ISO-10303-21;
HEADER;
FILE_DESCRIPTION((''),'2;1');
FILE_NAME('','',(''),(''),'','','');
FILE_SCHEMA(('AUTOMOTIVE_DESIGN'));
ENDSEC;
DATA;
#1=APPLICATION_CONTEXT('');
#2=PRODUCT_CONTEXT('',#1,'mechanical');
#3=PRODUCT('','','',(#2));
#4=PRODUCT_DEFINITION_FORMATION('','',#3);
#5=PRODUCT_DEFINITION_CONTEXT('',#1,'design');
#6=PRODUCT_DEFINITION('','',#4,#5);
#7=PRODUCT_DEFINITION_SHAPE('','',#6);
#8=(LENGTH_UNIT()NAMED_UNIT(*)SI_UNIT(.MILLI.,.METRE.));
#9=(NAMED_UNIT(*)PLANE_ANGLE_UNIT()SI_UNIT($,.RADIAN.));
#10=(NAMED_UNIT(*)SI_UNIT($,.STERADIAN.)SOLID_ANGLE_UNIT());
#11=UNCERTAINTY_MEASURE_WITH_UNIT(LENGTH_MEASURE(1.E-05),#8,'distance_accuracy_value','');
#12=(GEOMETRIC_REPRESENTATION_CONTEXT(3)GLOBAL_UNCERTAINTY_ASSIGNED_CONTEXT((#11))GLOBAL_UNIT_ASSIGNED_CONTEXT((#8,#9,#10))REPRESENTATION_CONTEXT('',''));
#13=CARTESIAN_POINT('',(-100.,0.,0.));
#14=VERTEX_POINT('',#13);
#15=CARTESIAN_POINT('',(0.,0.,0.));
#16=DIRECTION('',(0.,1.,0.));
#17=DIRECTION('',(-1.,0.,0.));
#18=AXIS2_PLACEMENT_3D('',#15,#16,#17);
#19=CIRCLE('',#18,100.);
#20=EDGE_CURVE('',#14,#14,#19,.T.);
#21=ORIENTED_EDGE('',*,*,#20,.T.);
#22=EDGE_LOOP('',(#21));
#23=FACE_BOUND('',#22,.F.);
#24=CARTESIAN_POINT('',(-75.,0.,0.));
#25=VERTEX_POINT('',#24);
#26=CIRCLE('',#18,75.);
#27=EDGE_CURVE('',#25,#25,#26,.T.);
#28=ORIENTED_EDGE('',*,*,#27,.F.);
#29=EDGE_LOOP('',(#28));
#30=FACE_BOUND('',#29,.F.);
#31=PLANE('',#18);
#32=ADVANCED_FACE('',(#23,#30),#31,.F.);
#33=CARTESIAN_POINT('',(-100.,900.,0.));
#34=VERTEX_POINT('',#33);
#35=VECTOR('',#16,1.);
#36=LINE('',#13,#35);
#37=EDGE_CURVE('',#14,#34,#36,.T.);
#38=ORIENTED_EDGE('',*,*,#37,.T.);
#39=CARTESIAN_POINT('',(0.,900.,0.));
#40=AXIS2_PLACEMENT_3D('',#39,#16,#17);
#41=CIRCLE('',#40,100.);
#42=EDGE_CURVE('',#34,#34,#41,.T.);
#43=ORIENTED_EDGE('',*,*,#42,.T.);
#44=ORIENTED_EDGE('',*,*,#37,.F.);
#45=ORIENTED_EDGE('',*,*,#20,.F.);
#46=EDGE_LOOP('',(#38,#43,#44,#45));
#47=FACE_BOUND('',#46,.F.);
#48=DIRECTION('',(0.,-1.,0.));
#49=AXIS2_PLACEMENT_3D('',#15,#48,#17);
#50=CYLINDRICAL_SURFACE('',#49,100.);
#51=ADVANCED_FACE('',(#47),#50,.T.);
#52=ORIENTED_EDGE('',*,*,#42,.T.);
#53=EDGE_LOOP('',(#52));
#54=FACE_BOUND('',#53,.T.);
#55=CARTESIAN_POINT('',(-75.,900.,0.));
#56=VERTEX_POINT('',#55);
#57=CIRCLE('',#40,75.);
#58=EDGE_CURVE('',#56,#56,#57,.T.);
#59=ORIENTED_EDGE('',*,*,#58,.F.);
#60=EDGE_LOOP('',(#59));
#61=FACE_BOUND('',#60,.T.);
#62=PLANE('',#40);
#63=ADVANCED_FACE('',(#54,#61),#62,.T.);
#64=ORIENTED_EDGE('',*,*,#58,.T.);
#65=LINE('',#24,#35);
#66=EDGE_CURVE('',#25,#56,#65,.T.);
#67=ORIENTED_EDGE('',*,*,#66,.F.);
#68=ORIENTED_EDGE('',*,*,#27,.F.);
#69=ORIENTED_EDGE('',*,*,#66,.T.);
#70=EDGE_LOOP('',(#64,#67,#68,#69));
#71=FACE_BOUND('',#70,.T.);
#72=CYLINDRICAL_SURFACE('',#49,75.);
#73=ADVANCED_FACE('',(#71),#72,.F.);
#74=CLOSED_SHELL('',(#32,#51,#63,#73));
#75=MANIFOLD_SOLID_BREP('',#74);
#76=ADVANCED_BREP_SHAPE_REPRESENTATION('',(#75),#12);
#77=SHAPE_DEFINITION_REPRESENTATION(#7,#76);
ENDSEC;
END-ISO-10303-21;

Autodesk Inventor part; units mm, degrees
ref_plane "YZ Plane" through (0, 0, 0) normal (1, 0, 0) x (0, 1, 0)
ref_plane "XZ Plane" through (0, 0, 0) normal (0, 1, 0) x (-1, 0, 0)
ref_plane "XY Plane" through (0, 0, 0) normal (0, 0, 1) x (1, 0, 0)
sketch "Sketch1" plane through (0, 0, 0) normal (0, 1, 0) x (-1, 0, 0)
  circle A0 centre (0, 0) radius 100
  circle A1 centre (0, 0) radius 75
  dimension "d0" = 200
  dimension "d3" = 150
extrude "Extrusion1" add sketch "Sketch1" along normal blind 900
ref_plane "Work Plane1" through (0, 900, 0) normal (0, 1, 0) x (1, 0, 0)
properties part number "Z1" material "Steel, Alloy"
